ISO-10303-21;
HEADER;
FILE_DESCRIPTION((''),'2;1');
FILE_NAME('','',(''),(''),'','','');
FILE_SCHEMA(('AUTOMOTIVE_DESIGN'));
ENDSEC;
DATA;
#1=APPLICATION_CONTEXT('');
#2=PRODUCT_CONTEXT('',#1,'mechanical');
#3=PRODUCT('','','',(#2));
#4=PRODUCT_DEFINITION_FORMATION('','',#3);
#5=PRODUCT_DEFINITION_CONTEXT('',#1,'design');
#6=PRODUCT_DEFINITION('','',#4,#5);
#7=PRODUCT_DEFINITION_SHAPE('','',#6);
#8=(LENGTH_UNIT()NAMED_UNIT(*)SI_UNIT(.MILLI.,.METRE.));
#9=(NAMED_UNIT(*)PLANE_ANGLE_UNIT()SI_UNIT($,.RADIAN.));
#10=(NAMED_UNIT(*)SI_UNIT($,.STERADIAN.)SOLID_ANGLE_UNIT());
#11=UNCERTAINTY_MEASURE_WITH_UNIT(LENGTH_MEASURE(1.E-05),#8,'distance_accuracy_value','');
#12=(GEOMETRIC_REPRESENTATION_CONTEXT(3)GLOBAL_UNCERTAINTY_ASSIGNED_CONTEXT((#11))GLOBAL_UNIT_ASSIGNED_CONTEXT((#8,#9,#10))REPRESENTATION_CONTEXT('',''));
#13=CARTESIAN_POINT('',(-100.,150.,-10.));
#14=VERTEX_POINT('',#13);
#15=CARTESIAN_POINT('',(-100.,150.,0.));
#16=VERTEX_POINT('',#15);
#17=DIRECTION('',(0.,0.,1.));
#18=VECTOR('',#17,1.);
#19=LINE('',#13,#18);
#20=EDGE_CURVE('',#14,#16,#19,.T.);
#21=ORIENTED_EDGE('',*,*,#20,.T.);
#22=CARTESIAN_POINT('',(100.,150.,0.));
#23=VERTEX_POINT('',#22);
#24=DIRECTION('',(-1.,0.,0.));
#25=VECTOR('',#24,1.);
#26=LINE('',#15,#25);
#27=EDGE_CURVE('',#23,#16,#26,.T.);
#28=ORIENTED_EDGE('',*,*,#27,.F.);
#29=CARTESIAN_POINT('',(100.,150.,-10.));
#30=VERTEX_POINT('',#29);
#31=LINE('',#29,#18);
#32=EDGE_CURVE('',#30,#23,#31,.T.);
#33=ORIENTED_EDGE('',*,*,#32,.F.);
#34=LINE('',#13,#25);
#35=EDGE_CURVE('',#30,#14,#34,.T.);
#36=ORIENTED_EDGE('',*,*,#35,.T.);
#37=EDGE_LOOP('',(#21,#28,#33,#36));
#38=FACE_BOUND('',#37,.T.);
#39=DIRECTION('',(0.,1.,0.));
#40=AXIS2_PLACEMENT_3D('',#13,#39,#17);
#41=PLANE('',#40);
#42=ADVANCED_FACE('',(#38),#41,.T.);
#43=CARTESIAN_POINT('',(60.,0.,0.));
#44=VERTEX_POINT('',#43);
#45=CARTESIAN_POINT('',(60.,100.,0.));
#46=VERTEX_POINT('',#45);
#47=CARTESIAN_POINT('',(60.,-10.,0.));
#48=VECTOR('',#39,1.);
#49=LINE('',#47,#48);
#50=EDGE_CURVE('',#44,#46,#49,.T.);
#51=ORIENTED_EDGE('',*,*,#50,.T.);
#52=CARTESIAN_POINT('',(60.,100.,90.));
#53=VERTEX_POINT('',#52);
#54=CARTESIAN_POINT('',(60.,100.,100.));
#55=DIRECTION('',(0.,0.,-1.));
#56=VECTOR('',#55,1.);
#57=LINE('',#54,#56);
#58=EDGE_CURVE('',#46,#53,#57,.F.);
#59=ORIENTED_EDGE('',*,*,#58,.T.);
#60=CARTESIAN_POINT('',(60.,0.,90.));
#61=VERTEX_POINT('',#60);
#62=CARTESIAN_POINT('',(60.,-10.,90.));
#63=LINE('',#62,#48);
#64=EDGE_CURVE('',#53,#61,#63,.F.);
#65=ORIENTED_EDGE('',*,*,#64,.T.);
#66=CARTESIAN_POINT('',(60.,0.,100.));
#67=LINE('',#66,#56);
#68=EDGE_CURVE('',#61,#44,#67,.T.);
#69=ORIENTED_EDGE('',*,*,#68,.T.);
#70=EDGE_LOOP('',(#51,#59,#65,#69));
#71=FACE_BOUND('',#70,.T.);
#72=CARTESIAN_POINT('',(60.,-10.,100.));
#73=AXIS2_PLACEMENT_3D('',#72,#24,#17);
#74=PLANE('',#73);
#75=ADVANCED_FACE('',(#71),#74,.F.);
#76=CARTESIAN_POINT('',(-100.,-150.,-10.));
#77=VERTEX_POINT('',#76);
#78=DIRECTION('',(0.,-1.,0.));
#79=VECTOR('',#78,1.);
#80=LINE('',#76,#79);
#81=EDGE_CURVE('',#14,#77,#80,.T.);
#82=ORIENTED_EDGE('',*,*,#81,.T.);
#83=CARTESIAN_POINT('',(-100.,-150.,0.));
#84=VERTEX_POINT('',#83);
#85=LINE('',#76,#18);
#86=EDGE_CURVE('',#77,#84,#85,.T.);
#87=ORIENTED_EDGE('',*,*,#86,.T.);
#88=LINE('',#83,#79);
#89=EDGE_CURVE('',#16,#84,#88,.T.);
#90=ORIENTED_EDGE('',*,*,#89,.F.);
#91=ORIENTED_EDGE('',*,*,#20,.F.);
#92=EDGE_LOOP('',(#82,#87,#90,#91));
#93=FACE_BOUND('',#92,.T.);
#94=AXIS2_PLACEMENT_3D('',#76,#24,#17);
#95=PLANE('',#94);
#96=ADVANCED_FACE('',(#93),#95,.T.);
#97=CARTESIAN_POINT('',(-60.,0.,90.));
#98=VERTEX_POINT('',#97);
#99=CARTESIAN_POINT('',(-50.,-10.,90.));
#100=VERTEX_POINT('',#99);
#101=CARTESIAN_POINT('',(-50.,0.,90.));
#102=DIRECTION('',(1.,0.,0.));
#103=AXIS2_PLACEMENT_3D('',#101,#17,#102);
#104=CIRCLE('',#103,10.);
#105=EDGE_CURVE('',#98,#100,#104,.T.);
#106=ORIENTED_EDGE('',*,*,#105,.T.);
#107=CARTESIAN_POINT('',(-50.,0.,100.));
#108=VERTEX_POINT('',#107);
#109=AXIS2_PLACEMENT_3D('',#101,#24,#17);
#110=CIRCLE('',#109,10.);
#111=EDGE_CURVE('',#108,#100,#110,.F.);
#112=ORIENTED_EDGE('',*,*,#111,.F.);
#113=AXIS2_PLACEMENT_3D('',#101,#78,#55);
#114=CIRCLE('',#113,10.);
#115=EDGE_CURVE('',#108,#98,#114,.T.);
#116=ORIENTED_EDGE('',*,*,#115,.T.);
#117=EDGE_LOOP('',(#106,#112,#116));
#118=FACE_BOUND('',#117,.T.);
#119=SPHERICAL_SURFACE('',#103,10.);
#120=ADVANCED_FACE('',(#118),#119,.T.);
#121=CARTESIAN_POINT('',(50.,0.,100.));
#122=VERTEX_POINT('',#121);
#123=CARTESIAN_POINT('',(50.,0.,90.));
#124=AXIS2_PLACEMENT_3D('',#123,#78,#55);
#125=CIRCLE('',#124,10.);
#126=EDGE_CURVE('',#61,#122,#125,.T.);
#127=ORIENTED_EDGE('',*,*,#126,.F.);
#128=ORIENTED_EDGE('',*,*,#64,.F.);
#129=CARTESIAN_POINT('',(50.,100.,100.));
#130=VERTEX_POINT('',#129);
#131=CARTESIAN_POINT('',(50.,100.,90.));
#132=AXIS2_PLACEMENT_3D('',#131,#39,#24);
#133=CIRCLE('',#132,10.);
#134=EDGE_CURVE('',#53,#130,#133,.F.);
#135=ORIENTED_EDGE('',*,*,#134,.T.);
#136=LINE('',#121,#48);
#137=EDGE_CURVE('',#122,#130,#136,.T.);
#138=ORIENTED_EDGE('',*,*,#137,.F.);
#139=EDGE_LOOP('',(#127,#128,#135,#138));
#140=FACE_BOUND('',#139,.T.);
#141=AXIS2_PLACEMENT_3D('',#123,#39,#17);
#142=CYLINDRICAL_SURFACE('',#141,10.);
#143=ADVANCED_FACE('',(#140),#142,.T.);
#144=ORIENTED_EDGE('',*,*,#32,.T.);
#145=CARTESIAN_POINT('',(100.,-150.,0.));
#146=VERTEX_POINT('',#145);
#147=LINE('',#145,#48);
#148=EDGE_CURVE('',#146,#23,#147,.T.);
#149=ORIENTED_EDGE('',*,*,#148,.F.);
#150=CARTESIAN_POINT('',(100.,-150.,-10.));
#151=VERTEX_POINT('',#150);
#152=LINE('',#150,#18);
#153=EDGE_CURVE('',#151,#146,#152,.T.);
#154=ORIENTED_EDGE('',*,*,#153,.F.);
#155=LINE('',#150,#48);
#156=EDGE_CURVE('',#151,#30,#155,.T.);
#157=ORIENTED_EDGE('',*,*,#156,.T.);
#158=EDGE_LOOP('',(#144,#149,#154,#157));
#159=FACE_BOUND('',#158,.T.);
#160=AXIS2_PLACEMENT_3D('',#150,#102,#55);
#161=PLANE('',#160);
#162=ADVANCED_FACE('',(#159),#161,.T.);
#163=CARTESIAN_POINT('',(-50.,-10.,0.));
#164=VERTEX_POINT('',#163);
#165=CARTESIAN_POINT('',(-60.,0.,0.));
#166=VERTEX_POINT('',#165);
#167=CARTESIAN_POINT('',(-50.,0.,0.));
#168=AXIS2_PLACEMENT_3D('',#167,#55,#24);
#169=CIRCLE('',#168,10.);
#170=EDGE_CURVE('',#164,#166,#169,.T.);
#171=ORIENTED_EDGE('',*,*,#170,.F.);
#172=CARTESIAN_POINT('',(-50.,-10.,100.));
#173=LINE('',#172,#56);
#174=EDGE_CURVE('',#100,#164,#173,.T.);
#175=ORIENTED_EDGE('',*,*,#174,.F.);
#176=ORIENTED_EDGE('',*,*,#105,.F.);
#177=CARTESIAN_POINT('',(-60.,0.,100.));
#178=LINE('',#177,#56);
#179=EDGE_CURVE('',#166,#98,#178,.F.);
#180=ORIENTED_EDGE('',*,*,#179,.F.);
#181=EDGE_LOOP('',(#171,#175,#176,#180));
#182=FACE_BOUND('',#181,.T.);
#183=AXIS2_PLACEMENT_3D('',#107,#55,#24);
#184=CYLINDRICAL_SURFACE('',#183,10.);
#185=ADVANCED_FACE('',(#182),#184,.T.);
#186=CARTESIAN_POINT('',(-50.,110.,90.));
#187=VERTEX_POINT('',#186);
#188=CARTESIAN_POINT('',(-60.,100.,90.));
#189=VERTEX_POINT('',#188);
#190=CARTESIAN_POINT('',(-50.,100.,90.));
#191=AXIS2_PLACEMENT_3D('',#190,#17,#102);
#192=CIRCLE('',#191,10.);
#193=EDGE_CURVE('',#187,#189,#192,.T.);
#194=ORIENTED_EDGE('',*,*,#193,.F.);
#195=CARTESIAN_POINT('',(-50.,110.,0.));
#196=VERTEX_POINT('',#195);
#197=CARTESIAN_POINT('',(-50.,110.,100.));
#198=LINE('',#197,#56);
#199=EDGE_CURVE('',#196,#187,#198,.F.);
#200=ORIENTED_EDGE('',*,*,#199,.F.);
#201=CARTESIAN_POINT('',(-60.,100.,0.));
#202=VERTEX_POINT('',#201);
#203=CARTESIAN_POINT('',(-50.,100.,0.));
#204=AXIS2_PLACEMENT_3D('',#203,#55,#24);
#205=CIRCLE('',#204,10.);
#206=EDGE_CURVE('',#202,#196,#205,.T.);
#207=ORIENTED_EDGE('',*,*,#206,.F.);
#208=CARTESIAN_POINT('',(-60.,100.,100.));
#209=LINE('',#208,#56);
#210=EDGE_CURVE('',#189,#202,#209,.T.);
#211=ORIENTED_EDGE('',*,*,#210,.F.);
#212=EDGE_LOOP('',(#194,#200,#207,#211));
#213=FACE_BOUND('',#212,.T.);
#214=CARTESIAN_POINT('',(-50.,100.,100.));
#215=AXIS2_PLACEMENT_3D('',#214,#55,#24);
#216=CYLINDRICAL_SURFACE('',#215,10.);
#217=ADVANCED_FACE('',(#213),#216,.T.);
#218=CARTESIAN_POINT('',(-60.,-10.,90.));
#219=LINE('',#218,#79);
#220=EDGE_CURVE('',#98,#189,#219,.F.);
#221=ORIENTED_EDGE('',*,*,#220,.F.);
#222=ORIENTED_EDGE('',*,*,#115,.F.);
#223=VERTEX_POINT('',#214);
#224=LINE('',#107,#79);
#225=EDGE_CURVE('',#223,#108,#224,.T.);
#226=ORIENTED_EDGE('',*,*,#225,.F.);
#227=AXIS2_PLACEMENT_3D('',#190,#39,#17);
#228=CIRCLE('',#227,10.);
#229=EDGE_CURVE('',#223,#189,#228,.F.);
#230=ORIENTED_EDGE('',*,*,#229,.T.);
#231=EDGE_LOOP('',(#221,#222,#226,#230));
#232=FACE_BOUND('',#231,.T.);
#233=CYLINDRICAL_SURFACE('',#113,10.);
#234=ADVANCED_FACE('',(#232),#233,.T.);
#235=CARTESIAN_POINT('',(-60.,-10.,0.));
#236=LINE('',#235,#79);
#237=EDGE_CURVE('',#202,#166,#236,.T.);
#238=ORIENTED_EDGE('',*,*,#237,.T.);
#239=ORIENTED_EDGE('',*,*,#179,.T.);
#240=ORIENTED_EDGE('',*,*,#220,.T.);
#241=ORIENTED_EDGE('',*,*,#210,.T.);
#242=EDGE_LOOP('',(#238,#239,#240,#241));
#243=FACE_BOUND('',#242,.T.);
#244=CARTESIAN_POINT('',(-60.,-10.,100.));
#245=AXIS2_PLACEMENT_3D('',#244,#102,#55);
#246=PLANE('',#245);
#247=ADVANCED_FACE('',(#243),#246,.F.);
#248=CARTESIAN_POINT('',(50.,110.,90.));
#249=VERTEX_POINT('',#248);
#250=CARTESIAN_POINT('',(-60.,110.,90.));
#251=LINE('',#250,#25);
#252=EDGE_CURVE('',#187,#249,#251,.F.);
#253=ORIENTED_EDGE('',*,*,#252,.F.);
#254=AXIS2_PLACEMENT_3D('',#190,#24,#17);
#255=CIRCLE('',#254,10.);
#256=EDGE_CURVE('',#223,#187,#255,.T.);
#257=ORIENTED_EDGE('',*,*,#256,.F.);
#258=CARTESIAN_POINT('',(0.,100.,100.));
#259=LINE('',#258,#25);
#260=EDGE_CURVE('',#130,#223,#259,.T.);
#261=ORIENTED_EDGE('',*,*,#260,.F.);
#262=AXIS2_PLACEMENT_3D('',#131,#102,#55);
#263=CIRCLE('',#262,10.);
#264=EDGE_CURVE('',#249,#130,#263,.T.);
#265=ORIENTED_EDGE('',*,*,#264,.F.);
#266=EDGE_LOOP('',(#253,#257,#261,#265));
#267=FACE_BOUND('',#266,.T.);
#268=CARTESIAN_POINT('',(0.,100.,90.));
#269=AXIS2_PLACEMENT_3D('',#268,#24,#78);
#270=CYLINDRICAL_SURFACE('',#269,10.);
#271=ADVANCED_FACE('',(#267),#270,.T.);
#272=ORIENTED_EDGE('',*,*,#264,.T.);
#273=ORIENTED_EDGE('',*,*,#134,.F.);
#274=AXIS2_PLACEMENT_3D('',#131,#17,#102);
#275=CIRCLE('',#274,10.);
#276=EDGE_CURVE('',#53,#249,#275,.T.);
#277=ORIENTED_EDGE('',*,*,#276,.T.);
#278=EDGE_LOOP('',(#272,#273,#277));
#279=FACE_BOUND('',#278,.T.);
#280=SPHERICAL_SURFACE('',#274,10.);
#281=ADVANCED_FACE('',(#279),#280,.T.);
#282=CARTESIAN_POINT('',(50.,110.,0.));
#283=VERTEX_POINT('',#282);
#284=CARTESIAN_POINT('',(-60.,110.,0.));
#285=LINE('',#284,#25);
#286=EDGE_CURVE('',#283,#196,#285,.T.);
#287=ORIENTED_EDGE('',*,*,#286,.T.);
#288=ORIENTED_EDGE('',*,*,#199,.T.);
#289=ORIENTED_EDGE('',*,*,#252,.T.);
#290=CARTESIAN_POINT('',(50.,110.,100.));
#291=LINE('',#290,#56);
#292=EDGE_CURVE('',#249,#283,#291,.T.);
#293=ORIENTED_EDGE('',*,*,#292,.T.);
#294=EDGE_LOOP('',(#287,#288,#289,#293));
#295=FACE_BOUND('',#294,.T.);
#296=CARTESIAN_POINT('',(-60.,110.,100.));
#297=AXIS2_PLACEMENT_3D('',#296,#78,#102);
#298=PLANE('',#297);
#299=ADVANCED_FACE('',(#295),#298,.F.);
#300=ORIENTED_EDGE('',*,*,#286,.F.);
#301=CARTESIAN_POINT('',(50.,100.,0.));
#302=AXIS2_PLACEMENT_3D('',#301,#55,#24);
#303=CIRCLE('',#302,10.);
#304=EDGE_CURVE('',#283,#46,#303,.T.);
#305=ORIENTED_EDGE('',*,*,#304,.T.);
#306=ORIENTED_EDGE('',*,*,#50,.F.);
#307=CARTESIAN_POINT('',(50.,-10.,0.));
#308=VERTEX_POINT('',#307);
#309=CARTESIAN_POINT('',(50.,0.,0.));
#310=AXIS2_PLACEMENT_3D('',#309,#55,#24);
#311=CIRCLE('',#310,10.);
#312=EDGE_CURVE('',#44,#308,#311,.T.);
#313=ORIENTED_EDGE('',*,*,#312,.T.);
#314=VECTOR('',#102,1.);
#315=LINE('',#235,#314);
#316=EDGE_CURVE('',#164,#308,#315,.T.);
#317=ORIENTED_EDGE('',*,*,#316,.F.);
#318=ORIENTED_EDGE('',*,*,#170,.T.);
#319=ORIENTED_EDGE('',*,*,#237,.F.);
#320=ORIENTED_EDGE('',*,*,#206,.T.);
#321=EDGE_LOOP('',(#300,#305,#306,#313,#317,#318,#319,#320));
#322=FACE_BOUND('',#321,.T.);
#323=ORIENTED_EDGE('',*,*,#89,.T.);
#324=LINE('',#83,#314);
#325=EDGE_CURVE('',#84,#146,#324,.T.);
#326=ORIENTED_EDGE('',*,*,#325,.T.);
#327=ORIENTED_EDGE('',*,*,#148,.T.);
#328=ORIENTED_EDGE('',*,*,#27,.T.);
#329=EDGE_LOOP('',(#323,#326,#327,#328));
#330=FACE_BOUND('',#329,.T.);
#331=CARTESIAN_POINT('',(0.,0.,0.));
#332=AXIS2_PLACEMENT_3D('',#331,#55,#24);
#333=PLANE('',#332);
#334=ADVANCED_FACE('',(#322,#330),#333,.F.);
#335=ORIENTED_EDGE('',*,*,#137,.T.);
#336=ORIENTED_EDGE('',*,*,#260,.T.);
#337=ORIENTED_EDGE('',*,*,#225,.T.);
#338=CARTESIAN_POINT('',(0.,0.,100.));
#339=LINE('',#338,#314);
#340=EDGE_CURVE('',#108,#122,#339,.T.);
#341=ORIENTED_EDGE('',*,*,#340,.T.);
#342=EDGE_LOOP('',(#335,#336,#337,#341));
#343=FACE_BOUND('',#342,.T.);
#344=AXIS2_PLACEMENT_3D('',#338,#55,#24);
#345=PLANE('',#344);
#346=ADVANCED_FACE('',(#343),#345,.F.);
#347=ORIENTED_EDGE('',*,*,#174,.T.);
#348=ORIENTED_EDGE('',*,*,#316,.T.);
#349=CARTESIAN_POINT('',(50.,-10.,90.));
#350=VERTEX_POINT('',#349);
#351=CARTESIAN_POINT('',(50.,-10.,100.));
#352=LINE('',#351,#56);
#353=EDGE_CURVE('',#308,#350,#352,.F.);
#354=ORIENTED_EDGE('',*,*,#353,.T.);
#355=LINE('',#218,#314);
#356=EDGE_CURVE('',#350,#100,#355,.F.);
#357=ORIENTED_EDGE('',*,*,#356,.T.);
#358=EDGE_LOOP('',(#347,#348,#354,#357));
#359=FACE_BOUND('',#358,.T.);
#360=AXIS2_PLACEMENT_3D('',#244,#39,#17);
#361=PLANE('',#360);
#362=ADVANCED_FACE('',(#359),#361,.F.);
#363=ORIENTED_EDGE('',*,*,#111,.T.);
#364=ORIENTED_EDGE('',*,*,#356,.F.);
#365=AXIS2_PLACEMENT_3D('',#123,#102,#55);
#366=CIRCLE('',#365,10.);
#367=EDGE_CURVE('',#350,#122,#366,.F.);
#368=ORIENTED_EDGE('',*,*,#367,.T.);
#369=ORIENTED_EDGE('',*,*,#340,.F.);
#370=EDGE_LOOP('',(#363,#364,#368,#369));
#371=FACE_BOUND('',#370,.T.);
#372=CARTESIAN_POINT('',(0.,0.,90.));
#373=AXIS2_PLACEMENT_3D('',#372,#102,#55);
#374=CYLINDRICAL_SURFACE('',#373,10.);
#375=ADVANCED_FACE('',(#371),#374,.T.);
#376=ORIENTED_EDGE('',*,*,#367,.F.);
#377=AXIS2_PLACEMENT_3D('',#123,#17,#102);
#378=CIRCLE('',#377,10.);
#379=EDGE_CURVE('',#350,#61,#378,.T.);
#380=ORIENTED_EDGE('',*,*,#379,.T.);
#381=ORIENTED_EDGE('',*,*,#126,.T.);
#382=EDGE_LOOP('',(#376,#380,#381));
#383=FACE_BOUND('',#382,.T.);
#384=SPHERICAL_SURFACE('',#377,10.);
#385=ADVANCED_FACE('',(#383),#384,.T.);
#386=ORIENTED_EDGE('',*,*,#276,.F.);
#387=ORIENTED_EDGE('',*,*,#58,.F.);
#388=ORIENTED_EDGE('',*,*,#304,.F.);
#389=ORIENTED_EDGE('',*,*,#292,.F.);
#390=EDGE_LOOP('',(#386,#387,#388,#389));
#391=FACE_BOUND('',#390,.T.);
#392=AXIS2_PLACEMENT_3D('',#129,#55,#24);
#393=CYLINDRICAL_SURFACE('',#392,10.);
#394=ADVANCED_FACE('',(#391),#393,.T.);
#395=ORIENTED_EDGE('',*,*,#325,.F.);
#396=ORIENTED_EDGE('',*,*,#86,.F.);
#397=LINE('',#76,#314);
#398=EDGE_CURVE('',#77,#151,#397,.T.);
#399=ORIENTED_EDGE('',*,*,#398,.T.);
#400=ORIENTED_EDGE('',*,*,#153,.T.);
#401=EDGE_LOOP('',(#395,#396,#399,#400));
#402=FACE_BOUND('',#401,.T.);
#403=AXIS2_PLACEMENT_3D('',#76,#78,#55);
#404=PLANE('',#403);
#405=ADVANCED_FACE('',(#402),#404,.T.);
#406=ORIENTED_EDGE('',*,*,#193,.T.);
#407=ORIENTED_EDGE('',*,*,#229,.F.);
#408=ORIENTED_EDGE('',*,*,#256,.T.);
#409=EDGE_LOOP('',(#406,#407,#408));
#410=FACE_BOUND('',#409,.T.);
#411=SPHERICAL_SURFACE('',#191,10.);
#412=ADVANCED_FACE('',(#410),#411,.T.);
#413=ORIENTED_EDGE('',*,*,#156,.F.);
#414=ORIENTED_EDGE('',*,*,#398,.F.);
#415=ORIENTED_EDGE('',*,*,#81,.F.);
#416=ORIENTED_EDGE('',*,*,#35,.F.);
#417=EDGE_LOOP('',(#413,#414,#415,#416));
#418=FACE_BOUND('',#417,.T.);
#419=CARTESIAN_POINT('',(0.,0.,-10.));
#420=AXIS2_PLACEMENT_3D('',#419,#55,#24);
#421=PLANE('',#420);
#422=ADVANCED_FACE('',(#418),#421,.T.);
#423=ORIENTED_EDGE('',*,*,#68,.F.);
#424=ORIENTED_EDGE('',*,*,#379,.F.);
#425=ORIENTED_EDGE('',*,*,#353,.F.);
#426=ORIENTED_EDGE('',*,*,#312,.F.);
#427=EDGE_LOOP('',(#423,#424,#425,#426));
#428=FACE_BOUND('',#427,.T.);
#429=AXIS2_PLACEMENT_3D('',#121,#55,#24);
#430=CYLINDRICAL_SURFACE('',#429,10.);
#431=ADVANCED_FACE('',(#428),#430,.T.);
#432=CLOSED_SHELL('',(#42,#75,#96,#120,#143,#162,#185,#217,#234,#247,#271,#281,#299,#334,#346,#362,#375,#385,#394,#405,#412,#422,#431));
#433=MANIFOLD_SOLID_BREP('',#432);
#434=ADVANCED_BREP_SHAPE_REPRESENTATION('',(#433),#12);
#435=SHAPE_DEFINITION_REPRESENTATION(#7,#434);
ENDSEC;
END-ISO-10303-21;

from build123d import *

# Parameters (mm, degrees)
SKETCH_1_W      = 200
SKETCH_1_H      = 300
EXTRUDE_1_DEPTH = 10
SKETCH_2_W      = 120
SKETCH_2_H      = 120
EXTRUDE_2_DEPTH = 100
FILLET_1_R      = 10


with BuildPart() as part:
    # 草图1 → 凸台-拉伸1 (new body)
    with BuildSketch(Plane.XY):
        Rectangle(SKETCH_1_W, SKETCH_1_H)
    extrude(amount=-EXTRUDE_1_DEPTH)

    # 草图2 → 凸台-拉伸2 (add)
    with BuildSketch(Plane.XY):
        with Locations((0, 50)):
            Rectangle(SKETCH_2_W, SKETCH_2_H)
    extrude(amount=EXTRUDE_2_DEPTH)

    # 圆角1
    fillet_1_edges = [part.edges().sort_by_distance(p)[0] for p in [
        (60, -10, 50),
        (60, 110, 50),
        (-60, 110, 50),
        (-60, -10, 50),
        (60, 50, 100),
        (0, 110, 100),
        (-60, 50, 100),
        (0, -10, 100),
    ]]
    fillet(fillet_1_edges, radius=FILLET_1_R)


solid = part.part
